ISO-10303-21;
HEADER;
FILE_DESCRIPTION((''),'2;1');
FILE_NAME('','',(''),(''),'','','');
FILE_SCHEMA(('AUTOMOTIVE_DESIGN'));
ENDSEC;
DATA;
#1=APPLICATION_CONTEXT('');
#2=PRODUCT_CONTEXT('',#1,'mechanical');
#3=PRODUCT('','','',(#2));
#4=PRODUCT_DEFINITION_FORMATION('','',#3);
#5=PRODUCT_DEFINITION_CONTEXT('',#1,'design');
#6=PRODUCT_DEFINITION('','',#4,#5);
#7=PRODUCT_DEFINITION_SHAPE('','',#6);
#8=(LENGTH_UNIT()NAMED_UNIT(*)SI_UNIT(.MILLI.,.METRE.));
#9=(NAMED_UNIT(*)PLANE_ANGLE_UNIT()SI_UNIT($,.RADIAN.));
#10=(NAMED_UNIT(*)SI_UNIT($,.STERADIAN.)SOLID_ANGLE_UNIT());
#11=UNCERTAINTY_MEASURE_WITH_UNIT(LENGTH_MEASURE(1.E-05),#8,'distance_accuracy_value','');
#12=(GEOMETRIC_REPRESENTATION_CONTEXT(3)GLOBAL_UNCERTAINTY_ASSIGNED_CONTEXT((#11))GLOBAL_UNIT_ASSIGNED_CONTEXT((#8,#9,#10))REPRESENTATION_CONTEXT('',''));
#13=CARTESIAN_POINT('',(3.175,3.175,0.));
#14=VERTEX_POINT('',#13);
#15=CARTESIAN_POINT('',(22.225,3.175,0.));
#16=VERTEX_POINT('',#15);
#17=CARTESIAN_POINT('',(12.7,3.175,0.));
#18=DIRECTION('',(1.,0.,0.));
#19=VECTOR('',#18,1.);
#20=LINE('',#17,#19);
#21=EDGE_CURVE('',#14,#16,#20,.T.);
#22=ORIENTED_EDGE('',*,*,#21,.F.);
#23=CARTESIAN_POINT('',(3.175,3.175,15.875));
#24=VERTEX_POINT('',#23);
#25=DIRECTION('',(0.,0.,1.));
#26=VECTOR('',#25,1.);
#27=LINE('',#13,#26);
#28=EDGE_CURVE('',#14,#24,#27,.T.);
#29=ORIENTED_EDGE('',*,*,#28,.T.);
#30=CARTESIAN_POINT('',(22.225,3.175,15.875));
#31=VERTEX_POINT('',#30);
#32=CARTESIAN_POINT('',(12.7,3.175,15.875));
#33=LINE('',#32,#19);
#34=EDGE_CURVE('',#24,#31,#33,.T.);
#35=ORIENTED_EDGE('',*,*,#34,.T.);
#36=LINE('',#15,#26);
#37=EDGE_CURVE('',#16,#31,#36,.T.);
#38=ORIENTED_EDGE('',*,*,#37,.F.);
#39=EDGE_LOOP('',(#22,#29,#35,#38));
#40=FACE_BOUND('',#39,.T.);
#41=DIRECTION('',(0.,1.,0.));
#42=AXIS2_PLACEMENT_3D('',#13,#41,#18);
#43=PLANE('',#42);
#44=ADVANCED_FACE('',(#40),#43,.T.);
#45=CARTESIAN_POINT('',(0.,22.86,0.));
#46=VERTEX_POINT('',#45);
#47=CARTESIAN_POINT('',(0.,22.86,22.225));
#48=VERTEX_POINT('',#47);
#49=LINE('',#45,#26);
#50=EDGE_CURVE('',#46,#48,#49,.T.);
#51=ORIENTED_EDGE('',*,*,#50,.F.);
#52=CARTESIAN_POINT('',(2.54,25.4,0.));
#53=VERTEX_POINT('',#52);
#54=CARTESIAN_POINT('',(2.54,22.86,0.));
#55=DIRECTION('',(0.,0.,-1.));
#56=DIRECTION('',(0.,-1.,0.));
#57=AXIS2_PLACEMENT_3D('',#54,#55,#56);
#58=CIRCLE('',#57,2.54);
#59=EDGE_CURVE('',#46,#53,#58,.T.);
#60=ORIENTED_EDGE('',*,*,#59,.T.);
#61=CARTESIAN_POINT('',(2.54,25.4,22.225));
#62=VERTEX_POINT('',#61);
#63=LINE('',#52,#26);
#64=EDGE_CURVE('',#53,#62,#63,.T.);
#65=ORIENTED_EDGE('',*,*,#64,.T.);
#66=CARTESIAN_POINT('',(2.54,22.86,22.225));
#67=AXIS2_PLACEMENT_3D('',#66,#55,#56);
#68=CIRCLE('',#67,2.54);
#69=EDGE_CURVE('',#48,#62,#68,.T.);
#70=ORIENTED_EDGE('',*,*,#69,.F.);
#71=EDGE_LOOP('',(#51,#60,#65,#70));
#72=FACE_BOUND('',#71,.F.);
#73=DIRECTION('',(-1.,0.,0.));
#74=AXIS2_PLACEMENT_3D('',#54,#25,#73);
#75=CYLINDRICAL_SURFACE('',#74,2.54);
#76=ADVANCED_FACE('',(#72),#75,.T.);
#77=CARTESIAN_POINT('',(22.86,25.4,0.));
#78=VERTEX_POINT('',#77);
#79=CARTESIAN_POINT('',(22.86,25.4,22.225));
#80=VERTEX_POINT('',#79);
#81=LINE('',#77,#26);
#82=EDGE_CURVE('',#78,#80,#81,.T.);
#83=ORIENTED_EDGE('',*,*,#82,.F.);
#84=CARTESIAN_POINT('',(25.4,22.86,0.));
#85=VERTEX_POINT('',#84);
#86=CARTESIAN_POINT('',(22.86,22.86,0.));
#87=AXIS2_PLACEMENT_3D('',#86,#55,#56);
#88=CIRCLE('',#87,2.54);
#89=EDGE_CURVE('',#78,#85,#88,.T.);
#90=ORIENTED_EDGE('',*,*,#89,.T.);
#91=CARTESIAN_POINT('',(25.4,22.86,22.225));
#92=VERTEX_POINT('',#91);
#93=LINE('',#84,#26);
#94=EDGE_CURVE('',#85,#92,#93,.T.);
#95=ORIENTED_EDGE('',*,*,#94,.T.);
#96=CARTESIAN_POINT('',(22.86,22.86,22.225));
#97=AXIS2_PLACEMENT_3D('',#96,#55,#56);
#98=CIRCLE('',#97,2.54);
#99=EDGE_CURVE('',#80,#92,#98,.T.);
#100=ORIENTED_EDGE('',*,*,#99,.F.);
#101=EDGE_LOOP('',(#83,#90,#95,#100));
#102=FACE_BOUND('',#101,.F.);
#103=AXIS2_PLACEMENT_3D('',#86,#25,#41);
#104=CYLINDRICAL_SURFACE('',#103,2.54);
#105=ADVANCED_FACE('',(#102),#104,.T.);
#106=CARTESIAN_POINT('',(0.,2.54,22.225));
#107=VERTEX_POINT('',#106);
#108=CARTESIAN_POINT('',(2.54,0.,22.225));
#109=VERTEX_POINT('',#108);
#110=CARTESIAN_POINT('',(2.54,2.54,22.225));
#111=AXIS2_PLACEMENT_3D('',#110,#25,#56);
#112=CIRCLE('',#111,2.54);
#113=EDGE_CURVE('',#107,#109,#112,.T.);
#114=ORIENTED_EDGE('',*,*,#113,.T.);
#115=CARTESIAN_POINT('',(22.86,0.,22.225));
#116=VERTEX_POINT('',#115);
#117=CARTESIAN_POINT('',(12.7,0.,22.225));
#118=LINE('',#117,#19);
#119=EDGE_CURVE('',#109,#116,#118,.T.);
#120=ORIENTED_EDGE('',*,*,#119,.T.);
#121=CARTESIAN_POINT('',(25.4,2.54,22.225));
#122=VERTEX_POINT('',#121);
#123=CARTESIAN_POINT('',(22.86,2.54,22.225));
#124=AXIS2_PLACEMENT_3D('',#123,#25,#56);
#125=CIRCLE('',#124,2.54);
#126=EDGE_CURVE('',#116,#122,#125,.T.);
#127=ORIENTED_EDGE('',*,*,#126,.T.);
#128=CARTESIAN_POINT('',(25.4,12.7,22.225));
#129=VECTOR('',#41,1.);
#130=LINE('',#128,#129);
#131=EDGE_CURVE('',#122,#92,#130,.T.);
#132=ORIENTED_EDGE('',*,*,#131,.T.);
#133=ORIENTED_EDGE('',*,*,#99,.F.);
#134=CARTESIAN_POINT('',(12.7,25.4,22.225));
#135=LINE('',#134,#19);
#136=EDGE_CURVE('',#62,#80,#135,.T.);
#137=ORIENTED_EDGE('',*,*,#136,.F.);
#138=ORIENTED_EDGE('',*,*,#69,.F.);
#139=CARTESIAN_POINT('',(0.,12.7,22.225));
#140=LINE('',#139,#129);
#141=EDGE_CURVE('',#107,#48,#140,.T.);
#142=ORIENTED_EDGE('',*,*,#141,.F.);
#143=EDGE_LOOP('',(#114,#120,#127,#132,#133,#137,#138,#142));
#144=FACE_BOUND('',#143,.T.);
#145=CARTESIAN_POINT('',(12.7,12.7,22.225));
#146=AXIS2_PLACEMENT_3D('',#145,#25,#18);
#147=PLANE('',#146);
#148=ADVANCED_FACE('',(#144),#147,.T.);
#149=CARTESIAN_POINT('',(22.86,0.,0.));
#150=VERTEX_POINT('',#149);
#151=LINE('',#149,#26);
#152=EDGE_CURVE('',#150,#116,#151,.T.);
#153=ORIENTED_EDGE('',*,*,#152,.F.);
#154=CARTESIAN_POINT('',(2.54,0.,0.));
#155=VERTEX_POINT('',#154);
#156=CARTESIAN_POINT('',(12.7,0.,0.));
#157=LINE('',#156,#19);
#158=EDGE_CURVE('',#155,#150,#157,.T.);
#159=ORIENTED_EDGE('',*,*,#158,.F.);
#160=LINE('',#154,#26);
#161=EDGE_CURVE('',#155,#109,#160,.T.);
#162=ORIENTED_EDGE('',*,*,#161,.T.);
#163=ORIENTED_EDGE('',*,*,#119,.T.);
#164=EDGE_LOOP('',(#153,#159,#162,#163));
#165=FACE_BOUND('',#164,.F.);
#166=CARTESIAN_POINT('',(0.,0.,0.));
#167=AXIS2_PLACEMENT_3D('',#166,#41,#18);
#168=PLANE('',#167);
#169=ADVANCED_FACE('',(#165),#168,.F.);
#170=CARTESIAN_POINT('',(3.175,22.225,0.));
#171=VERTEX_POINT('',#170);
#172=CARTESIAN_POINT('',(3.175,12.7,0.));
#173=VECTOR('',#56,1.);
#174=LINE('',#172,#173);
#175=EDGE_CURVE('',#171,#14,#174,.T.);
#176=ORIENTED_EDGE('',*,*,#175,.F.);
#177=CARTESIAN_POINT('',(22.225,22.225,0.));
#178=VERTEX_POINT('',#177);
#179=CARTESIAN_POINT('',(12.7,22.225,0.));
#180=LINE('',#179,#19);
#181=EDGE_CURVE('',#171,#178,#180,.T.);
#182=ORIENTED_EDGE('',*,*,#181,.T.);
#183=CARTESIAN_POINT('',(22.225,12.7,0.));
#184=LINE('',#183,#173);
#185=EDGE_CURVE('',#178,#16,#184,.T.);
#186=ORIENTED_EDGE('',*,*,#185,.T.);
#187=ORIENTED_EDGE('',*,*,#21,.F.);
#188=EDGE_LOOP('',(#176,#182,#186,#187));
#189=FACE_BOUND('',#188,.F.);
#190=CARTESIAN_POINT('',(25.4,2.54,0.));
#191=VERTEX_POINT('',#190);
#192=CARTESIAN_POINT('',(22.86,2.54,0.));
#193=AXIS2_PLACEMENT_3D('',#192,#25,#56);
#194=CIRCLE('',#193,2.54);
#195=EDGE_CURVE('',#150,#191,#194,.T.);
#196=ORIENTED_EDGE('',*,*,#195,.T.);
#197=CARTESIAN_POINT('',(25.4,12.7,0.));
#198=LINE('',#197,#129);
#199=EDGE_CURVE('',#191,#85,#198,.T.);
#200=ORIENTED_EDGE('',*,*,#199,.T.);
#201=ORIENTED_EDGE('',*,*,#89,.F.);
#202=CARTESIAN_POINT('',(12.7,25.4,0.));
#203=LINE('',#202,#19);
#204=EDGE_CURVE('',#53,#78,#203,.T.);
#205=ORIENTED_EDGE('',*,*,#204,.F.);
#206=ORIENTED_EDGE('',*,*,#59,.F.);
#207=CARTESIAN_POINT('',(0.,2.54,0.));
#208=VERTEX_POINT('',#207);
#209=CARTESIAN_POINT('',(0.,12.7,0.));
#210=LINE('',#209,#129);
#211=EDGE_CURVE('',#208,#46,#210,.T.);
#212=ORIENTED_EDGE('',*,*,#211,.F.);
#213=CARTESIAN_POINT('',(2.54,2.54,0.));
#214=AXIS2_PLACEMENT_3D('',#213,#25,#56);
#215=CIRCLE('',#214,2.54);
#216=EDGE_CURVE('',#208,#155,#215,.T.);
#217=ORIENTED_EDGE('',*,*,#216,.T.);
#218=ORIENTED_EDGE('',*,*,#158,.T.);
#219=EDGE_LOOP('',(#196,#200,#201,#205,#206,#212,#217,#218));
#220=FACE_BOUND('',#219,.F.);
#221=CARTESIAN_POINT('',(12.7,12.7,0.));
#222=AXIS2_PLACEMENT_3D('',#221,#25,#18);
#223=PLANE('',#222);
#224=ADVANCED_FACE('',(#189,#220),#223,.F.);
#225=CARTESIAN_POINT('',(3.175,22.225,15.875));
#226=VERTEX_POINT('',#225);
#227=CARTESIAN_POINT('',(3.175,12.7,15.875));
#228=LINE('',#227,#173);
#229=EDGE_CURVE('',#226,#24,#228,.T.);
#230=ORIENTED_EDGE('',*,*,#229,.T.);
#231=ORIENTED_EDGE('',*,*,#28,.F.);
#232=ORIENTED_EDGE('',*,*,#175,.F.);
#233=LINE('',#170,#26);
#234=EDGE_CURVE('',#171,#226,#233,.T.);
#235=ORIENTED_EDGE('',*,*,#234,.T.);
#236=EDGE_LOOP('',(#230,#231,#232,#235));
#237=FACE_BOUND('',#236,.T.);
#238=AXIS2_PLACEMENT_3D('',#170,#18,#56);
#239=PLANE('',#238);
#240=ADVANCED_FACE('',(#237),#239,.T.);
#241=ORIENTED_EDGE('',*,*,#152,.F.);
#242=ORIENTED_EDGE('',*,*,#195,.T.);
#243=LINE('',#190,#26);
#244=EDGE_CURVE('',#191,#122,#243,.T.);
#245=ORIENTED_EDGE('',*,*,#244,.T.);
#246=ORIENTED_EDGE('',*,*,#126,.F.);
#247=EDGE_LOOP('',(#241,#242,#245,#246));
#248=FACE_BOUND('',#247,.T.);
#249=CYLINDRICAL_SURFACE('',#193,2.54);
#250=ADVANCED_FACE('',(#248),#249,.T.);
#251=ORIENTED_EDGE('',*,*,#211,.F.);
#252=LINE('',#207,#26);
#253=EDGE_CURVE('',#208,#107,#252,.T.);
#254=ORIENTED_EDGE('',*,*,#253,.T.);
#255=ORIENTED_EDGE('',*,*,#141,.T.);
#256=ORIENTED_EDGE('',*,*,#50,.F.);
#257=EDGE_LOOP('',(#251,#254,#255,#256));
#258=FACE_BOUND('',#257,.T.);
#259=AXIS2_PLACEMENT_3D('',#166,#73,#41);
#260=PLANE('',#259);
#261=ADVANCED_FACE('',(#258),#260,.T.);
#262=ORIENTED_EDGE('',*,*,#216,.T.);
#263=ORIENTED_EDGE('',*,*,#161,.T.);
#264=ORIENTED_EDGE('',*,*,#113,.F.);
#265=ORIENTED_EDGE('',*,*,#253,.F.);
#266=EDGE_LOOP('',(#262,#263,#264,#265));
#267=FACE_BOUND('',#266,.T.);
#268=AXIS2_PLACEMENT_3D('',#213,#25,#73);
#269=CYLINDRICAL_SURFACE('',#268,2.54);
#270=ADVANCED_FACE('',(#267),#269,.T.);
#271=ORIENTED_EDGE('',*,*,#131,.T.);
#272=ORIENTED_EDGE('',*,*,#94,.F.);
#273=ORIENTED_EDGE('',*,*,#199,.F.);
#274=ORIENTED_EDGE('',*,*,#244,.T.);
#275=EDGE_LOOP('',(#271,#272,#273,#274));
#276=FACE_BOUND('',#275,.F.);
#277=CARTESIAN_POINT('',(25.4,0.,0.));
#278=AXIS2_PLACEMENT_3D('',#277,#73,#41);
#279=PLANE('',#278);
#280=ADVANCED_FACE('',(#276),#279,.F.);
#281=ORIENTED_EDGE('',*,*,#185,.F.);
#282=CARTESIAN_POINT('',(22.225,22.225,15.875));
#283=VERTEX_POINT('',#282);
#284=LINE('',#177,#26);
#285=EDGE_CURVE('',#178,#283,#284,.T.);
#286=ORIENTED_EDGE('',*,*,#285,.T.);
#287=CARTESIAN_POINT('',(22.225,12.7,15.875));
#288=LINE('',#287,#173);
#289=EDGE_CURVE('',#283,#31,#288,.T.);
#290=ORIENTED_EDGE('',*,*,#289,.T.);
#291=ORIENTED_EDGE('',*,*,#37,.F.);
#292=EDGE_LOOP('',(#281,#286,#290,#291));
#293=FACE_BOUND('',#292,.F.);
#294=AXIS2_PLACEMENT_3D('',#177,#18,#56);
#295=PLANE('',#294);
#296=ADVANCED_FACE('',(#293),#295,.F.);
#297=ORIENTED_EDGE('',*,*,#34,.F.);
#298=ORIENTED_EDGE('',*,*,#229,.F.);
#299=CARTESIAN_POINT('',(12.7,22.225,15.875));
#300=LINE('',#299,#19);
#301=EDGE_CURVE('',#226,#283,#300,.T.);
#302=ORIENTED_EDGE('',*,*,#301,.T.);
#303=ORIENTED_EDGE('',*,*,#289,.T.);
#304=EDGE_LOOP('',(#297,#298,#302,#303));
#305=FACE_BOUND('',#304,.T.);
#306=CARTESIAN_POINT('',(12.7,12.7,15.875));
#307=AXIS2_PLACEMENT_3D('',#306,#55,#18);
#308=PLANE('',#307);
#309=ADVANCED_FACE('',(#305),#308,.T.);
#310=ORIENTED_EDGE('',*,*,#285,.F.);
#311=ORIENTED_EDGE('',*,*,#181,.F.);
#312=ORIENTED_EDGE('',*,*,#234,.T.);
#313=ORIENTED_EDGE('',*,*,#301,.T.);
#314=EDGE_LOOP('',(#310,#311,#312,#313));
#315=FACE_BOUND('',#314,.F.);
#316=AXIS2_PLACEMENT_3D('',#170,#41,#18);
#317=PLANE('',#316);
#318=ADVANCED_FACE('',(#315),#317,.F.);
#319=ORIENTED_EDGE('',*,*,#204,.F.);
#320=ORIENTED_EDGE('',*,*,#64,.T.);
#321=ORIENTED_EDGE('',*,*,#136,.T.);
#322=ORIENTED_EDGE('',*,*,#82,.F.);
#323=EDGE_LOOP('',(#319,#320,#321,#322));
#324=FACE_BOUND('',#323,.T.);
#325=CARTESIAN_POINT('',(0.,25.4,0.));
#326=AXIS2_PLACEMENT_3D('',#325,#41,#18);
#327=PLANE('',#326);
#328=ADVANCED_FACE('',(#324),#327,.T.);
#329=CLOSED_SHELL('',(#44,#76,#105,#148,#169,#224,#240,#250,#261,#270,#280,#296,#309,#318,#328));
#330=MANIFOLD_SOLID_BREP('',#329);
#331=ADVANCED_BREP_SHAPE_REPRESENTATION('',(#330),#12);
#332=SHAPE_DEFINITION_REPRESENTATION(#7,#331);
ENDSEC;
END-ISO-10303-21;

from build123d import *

# Parameters (mm, degrees)
F0_W     = 25.4
F0_H     = 25.4
F1_DEPTH = 22.225
F2_W     = 19.05
F2_H     = 19.05
F3_DEPTH = 15.875
F4_R     = 2.54


with BuildPart() as f1:
    # F0 (on Top) → F1 (new body)
    with BuildSketch(Plane.XY):
        with Locations((12.7, 12.7)):
            Rectangle(F0_W, F0_H)
    extrude(amount=F1_DEPTH)

    # F2 (on face) → F3 (cut)
    with BuildSketch(Plane(origin=(0, 0, 0), x_dir=(1, 0, 0), z_dir=(0, 0, -1))):
        with Locations((12.7, -12.7)):
            Rectangle(F2_W, F2_H)
    extrude(amount=-F3_DEPTH, mode=Mode.SUBTRACT)

    # F4
    f4_edges = [f1.edges().sort_by_distance(p)[0] for p in [
        (25.4, 0, 11.1125),
        (25.4, 25.4, 11.1125),
        (0, 25.4, 11.1125),
        (0, 0, 11.1125),
    ]]
    fillet(f4_edges, radius=F4_R)


solid = f1.part
